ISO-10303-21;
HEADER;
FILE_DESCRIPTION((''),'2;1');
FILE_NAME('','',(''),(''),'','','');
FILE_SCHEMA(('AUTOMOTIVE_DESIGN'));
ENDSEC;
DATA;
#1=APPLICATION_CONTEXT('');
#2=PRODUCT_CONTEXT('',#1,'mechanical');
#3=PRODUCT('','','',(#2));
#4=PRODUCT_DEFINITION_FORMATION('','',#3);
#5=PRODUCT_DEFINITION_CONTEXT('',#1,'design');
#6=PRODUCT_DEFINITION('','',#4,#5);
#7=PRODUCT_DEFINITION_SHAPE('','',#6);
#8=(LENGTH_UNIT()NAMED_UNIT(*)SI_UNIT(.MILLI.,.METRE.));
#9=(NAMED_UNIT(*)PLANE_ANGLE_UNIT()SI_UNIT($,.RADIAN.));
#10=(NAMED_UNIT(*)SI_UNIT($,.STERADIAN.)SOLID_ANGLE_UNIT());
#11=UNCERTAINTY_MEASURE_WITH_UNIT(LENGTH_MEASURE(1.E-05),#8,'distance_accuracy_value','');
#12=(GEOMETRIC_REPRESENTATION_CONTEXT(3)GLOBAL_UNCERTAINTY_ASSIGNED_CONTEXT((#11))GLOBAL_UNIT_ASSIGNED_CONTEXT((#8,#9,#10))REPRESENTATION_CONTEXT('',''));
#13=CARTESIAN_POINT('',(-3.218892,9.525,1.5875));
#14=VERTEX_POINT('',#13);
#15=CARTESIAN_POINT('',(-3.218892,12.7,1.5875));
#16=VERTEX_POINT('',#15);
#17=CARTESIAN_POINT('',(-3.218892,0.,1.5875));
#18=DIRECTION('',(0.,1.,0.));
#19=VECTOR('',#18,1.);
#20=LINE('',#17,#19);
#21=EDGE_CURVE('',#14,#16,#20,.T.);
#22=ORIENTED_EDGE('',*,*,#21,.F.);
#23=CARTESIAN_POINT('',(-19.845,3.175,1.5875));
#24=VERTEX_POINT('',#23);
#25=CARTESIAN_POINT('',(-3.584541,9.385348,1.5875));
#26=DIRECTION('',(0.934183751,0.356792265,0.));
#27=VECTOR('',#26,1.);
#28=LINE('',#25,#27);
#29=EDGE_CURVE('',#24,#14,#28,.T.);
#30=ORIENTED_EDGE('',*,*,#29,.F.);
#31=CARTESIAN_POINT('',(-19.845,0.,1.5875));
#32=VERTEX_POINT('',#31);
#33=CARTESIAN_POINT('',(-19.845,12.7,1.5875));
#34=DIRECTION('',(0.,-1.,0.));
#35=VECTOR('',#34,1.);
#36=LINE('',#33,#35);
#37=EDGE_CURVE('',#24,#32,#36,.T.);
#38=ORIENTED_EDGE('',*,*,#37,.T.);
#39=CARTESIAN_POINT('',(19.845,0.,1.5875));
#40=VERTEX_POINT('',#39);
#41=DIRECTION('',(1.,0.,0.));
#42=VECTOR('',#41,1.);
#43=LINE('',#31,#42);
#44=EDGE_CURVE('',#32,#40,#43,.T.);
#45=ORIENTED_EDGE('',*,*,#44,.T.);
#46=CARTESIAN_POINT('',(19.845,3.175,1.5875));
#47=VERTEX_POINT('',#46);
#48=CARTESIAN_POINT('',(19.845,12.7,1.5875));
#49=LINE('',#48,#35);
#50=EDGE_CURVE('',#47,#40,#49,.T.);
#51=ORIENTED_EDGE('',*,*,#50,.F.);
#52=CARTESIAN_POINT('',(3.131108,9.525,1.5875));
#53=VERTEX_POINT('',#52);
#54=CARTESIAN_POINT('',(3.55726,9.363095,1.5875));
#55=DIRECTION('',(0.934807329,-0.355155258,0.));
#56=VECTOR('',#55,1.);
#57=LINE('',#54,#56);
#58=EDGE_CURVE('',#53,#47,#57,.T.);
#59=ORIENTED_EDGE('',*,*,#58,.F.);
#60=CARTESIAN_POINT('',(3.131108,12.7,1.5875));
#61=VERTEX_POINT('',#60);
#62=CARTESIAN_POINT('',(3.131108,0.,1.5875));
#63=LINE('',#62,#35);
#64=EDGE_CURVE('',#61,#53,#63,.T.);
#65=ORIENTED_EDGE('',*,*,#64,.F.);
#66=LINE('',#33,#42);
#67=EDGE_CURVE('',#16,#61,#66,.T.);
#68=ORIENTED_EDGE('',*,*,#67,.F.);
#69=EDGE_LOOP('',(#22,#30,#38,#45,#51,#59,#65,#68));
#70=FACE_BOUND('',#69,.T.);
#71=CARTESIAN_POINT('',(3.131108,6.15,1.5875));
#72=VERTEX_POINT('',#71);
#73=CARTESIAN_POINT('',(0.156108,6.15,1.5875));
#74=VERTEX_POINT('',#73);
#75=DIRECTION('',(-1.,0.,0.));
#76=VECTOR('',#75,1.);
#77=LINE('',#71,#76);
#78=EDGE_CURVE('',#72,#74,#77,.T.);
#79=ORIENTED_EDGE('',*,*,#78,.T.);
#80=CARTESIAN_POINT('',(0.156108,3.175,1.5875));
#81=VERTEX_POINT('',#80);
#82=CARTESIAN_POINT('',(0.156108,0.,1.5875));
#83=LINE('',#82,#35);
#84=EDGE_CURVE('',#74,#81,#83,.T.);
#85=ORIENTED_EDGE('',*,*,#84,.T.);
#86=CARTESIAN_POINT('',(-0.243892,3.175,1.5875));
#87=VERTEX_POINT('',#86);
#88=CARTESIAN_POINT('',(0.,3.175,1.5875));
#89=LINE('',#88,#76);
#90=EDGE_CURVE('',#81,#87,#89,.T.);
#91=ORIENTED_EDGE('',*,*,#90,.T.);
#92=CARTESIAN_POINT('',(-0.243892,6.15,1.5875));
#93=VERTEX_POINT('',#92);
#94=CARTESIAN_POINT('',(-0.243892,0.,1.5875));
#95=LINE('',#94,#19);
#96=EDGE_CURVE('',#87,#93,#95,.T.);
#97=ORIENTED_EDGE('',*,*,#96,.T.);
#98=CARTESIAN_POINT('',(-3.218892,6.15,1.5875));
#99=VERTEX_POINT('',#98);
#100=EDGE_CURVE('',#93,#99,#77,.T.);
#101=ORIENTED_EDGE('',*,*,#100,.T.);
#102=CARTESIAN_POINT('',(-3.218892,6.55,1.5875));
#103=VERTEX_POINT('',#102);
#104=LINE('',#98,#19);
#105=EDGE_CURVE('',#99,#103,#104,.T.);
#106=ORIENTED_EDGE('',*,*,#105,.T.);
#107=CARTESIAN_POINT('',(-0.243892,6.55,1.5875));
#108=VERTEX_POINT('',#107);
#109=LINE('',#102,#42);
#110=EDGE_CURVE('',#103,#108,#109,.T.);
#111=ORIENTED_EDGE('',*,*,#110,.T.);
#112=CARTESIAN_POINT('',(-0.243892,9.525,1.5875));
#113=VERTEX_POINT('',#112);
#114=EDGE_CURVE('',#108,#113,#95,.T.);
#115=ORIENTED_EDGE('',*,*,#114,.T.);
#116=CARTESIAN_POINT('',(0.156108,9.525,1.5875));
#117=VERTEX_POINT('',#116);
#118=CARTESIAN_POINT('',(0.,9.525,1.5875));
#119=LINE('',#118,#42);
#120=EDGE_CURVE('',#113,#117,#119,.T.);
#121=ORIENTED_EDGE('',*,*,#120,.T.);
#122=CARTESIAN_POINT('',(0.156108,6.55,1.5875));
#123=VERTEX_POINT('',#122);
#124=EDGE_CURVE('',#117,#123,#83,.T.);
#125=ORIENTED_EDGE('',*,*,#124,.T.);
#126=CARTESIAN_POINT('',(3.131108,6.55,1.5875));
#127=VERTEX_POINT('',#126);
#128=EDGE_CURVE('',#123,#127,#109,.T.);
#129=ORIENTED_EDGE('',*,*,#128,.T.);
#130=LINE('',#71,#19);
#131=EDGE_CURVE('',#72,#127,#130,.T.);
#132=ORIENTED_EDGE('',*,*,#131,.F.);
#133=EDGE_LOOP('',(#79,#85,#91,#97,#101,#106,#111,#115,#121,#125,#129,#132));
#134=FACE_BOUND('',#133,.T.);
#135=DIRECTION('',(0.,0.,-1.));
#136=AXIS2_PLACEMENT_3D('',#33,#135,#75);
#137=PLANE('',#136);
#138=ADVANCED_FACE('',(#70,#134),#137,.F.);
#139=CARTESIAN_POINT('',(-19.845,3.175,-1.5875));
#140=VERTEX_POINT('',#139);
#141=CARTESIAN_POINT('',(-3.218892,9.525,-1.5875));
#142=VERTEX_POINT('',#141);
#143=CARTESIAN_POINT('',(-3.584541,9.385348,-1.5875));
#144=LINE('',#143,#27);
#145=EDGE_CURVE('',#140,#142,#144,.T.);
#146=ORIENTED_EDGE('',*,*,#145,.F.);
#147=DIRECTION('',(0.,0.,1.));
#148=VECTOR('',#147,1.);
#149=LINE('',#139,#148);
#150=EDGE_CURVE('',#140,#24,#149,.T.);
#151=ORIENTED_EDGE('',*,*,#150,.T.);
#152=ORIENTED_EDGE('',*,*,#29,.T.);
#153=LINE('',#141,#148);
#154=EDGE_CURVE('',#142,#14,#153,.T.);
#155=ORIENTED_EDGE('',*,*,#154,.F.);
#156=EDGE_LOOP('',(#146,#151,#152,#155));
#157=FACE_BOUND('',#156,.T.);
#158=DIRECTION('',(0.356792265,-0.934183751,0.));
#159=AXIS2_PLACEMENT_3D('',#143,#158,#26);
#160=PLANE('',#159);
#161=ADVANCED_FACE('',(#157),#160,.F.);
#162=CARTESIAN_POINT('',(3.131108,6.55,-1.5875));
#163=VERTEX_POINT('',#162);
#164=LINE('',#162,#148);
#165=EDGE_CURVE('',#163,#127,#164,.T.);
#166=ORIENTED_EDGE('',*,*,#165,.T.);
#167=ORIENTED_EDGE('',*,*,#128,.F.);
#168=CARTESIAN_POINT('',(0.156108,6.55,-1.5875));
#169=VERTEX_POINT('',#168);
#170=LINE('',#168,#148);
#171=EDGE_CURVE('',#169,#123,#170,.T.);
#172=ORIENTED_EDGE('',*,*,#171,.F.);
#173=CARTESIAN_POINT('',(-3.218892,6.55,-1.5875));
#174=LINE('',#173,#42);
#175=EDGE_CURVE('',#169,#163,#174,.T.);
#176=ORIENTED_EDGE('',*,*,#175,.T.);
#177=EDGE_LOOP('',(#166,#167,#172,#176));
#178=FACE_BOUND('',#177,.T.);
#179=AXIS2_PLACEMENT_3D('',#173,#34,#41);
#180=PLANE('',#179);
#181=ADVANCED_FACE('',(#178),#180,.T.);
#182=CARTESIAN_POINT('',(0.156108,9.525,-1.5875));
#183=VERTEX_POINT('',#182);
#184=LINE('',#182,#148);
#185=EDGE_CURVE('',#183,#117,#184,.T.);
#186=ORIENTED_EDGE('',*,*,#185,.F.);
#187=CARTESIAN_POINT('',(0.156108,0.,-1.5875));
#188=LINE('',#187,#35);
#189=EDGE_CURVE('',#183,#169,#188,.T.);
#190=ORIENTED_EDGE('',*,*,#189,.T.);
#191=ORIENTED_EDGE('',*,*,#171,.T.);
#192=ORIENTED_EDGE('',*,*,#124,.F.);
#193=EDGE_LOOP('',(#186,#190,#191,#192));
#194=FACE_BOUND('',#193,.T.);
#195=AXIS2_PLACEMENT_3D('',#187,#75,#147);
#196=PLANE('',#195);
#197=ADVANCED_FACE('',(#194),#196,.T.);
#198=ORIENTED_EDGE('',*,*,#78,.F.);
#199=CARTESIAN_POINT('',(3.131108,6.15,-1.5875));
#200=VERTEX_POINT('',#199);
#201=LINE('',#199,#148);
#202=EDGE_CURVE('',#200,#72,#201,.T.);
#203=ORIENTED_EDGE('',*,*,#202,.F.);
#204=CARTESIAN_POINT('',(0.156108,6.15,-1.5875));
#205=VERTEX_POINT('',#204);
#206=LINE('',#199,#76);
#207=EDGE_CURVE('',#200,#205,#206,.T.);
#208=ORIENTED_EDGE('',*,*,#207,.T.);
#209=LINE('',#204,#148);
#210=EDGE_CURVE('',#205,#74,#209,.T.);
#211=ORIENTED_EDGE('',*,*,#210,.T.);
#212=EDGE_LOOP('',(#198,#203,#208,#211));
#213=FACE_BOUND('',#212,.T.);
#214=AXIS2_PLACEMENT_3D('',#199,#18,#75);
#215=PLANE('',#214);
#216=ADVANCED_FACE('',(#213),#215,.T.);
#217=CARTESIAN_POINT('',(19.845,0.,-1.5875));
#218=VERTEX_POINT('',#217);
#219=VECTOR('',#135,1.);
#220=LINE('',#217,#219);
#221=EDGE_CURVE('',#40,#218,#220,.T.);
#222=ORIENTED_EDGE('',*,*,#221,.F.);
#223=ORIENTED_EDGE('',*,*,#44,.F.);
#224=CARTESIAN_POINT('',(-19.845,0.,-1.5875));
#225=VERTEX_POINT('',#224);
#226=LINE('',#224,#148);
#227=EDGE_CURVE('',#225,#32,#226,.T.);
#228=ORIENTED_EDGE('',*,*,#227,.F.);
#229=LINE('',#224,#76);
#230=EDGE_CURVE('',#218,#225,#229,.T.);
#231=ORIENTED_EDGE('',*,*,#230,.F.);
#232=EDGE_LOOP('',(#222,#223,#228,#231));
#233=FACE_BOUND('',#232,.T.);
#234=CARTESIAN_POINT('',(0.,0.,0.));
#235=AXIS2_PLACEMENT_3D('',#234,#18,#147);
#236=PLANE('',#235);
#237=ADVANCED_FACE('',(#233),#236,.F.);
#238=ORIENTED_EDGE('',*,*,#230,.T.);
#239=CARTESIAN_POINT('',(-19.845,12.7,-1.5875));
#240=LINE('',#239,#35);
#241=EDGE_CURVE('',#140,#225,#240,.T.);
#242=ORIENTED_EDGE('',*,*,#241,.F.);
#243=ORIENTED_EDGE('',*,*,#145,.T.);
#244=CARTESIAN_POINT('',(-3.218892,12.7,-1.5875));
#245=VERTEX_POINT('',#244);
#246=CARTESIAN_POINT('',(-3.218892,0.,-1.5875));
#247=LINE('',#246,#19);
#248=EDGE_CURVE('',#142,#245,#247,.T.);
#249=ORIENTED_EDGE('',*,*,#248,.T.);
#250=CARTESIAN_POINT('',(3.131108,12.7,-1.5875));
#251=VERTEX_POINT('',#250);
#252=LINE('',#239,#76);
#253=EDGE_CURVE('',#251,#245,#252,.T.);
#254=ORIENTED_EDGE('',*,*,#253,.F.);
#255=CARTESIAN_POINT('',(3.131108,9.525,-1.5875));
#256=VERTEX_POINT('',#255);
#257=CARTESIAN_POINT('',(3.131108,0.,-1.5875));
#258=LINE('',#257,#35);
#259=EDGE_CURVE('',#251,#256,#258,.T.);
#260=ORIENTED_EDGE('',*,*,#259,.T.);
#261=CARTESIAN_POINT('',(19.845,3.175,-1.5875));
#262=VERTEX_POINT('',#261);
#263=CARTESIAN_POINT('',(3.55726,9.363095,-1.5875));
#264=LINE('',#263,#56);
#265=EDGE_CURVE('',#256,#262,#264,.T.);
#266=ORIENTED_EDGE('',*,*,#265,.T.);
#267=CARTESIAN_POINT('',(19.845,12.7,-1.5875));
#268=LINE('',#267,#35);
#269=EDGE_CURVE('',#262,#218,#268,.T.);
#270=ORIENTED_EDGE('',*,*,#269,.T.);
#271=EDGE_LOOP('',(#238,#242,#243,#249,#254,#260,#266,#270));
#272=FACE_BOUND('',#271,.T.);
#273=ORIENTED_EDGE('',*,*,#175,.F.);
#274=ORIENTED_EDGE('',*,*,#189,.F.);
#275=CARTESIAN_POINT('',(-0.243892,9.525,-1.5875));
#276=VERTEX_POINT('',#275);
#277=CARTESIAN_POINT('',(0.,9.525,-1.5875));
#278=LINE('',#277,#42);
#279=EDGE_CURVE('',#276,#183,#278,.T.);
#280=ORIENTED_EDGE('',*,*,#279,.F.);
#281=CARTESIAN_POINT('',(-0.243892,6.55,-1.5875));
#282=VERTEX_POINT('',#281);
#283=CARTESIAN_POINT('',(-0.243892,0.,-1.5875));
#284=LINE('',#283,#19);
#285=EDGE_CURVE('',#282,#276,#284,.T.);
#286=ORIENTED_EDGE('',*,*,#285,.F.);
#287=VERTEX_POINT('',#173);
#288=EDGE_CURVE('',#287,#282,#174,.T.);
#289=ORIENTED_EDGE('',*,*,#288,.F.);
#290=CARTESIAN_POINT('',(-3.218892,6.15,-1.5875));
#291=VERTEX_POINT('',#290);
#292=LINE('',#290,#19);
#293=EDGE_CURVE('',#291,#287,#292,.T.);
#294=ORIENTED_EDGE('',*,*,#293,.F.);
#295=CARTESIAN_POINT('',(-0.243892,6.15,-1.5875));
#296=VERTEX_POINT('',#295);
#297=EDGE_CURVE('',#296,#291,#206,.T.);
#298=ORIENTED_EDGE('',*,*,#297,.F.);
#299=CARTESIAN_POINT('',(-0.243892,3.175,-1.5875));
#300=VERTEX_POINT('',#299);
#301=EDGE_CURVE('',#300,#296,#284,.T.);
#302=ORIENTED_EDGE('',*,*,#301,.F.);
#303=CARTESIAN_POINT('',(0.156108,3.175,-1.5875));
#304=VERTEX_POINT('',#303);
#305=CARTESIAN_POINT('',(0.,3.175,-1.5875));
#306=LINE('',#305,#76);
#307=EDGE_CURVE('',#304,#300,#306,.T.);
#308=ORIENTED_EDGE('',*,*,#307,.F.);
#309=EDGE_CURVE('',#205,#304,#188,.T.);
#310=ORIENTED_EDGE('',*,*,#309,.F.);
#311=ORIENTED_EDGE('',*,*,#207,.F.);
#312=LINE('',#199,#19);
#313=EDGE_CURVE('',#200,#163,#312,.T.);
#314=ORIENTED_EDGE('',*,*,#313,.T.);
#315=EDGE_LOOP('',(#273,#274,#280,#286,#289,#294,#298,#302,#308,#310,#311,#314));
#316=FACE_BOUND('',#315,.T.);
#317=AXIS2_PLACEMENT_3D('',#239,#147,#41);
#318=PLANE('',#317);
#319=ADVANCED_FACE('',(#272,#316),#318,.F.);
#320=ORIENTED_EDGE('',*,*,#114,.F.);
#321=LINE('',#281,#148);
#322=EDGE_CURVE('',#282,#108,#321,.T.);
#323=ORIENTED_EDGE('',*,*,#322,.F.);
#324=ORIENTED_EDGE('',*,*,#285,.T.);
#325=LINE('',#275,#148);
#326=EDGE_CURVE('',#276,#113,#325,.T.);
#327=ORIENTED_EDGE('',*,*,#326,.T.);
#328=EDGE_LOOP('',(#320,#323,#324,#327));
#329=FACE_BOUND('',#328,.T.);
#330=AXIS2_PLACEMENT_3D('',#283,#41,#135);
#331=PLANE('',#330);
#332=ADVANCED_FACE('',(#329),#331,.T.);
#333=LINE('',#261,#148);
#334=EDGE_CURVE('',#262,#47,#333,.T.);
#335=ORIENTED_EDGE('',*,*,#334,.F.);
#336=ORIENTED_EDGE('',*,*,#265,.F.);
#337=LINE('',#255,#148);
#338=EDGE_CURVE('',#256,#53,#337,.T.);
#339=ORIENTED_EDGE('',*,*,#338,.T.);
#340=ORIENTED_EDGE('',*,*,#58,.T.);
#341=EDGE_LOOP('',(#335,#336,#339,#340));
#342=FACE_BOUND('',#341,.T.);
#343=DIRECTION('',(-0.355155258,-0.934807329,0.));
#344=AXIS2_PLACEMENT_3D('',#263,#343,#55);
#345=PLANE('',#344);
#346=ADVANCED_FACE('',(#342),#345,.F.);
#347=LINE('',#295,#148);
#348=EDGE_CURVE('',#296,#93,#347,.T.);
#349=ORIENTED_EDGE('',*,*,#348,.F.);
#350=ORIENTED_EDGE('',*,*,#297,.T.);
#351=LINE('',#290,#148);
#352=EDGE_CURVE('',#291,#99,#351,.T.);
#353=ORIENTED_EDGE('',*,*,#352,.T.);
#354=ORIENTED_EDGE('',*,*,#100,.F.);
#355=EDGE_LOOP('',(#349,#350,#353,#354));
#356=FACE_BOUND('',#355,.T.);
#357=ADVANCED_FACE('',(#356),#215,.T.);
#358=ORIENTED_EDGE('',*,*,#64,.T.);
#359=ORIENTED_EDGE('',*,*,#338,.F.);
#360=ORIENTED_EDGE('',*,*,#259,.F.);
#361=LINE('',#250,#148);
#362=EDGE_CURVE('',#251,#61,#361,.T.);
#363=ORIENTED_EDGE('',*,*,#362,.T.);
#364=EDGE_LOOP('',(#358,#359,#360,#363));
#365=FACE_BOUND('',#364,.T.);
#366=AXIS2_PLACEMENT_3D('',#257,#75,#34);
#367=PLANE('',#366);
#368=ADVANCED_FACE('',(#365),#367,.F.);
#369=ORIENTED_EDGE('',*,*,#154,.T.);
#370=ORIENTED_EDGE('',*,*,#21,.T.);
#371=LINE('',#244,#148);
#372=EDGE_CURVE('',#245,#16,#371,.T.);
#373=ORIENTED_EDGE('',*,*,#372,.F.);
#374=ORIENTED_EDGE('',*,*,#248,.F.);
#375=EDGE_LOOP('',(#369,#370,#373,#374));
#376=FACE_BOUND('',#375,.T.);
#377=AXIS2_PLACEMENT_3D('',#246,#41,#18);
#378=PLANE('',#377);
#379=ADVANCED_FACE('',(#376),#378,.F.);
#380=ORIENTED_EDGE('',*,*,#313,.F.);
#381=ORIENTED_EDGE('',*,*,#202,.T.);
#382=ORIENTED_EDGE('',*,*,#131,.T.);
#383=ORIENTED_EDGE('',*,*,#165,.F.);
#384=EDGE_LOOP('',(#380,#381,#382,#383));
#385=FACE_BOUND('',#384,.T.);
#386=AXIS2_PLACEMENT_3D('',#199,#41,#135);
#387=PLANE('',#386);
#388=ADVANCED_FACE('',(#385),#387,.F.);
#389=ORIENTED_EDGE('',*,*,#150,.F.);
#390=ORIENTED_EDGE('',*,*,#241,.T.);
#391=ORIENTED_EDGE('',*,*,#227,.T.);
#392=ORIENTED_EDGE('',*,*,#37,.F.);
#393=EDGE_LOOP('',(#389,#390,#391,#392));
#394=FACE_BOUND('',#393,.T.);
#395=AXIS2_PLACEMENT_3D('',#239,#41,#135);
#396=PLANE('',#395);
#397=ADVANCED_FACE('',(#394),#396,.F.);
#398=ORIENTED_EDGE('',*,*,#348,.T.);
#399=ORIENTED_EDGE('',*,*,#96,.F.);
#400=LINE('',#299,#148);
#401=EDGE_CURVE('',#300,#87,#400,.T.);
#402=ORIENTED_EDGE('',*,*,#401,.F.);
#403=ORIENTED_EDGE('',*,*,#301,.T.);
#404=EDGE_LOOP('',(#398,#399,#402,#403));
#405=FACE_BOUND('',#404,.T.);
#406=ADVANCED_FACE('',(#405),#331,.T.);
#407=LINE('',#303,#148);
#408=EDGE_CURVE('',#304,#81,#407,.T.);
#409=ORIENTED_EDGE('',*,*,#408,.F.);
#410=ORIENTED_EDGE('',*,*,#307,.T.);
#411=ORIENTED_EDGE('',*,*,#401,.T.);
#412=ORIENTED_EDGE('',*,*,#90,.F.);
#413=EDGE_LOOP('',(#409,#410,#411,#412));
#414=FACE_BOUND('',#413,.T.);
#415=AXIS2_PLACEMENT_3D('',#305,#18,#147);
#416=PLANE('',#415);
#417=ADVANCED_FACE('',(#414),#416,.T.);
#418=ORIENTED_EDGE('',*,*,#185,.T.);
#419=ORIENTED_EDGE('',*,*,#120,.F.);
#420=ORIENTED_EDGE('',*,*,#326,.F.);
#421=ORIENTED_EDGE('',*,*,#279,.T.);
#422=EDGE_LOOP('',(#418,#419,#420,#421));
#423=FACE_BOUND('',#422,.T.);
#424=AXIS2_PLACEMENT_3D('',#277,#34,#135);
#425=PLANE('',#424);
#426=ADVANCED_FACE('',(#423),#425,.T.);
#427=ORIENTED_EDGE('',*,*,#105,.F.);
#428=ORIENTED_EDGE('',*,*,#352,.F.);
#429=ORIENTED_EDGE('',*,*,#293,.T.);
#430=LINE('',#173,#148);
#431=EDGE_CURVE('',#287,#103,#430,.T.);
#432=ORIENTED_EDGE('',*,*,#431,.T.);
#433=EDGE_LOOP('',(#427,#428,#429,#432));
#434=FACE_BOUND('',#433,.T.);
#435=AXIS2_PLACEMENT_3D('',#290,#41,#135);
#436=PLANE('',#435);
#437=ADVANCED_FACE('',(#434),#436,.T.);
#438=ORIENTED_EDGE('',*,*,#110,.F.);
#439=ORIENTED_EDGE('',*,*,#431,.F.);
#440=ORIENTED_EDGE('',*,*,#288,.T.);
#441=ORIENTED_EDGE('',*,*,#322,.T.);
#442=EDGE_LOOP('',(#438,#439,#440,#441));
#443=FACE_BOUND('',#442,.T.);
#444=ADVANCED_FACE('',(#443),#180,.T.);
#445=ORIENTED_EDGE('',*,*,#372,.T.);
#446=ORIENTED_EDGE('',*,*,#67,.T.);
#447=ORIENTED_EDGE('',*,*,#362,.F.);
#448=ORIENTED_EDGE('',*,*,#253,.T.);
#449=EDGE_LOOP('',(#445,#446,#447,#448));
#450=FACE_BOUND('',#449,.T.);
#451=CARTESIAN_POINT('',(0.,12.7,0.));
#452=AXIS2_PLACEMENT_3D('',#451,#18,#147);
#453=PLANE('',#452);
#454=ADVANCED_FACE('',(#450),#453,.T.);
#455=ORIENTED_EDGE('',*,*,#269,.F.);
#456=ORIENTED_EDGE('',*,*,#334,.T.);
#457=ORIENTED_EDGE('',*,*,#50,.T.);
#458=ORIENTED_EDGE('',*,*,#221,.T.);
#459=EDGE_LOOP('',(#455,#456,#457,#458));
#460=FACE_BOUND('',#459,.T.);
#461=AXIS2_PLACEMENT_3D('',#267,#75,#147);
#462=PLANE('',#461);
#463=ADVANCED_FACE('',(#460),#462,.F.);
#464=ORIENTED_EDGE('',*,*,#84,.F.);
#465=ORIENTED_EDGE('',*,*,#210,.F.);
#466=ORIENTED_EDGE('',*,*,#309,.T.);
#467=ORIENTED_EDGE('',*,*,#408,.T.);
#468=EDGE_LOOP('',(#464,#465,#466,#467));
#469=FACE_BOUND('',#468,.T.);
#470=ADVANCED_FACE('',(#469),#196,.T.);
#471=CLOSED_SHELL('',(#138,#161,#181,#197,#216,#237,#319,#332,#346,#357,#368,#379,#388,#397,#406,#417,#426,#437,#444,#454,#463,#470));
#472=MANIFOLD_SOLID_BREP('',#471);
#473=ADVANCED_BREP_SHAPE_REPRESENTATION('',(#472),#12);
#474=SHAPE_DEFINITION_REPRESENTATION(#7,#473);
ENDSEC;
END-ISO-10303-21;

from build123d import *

# Parameters (mm, degrees)
SKETCH1_W           = 39.69
SKETCH1_H           = 3.175
BOSS_EXTRUDE1_DEPTH = 12.7
SKETCH3_W           = 6.35
SKETCH3_H           = 0.4
SKETCH3_W_2         = 0.4
SKETCH3_H_2         = 6.35
CUT_EXTRUDE7_DEPTH  = 3.175
CUT_EXTRUDE8_DEPTH  = 3.175


with BuildPart() as part:
    # Sketch1 → Boss-Extrude1 (new body)
    with BuildSketch(Plane(origin=(0, 0, 0), x_dir=(1, 0, 0), z_dir=(0, 1, 0))):
        Rectangle(SKETCH1_W, SKETCH1_H)
    extrude(amount=BOSS_EXTRUDE1_DEPTH)

    # Sketch3 → Cut-Extrude7 (cut)
    with BuildSketch(Plane.XY.offset(1.5875)):
        with Locations((-0.043891751, 6.35)):
            Rectangle(SKETCH3_W, SKETCH3_H)
        with Locations((-0.043891751, 6.35)):
            Rectangle(SKETCH3_W_2, SKETCH3_H_2)
    extrude(amount=-CUT_EXTRUDE7_DEPTH, mode=Mode.SUBTRACT)

    # Sketch6 → Cut-Extrude8 (cut)
    with BuildSketch(Plane.XY.offset(1.5875)):
        Polygon((-3.218891751, 9.525), (-3.218891751, 12.7), (-19.845, 12.7), (-19.845, 3.175), align=None)
        Polygon((19.845, 12.7), (3.131108249, 12.7), (3.131108249, 9.525), (19.845, 3.175), align=None)
    extrude(amount=-CUT_EXTRUDE8_DEPTH, mode=Mode.SUBTRACT)


solid = part.part
